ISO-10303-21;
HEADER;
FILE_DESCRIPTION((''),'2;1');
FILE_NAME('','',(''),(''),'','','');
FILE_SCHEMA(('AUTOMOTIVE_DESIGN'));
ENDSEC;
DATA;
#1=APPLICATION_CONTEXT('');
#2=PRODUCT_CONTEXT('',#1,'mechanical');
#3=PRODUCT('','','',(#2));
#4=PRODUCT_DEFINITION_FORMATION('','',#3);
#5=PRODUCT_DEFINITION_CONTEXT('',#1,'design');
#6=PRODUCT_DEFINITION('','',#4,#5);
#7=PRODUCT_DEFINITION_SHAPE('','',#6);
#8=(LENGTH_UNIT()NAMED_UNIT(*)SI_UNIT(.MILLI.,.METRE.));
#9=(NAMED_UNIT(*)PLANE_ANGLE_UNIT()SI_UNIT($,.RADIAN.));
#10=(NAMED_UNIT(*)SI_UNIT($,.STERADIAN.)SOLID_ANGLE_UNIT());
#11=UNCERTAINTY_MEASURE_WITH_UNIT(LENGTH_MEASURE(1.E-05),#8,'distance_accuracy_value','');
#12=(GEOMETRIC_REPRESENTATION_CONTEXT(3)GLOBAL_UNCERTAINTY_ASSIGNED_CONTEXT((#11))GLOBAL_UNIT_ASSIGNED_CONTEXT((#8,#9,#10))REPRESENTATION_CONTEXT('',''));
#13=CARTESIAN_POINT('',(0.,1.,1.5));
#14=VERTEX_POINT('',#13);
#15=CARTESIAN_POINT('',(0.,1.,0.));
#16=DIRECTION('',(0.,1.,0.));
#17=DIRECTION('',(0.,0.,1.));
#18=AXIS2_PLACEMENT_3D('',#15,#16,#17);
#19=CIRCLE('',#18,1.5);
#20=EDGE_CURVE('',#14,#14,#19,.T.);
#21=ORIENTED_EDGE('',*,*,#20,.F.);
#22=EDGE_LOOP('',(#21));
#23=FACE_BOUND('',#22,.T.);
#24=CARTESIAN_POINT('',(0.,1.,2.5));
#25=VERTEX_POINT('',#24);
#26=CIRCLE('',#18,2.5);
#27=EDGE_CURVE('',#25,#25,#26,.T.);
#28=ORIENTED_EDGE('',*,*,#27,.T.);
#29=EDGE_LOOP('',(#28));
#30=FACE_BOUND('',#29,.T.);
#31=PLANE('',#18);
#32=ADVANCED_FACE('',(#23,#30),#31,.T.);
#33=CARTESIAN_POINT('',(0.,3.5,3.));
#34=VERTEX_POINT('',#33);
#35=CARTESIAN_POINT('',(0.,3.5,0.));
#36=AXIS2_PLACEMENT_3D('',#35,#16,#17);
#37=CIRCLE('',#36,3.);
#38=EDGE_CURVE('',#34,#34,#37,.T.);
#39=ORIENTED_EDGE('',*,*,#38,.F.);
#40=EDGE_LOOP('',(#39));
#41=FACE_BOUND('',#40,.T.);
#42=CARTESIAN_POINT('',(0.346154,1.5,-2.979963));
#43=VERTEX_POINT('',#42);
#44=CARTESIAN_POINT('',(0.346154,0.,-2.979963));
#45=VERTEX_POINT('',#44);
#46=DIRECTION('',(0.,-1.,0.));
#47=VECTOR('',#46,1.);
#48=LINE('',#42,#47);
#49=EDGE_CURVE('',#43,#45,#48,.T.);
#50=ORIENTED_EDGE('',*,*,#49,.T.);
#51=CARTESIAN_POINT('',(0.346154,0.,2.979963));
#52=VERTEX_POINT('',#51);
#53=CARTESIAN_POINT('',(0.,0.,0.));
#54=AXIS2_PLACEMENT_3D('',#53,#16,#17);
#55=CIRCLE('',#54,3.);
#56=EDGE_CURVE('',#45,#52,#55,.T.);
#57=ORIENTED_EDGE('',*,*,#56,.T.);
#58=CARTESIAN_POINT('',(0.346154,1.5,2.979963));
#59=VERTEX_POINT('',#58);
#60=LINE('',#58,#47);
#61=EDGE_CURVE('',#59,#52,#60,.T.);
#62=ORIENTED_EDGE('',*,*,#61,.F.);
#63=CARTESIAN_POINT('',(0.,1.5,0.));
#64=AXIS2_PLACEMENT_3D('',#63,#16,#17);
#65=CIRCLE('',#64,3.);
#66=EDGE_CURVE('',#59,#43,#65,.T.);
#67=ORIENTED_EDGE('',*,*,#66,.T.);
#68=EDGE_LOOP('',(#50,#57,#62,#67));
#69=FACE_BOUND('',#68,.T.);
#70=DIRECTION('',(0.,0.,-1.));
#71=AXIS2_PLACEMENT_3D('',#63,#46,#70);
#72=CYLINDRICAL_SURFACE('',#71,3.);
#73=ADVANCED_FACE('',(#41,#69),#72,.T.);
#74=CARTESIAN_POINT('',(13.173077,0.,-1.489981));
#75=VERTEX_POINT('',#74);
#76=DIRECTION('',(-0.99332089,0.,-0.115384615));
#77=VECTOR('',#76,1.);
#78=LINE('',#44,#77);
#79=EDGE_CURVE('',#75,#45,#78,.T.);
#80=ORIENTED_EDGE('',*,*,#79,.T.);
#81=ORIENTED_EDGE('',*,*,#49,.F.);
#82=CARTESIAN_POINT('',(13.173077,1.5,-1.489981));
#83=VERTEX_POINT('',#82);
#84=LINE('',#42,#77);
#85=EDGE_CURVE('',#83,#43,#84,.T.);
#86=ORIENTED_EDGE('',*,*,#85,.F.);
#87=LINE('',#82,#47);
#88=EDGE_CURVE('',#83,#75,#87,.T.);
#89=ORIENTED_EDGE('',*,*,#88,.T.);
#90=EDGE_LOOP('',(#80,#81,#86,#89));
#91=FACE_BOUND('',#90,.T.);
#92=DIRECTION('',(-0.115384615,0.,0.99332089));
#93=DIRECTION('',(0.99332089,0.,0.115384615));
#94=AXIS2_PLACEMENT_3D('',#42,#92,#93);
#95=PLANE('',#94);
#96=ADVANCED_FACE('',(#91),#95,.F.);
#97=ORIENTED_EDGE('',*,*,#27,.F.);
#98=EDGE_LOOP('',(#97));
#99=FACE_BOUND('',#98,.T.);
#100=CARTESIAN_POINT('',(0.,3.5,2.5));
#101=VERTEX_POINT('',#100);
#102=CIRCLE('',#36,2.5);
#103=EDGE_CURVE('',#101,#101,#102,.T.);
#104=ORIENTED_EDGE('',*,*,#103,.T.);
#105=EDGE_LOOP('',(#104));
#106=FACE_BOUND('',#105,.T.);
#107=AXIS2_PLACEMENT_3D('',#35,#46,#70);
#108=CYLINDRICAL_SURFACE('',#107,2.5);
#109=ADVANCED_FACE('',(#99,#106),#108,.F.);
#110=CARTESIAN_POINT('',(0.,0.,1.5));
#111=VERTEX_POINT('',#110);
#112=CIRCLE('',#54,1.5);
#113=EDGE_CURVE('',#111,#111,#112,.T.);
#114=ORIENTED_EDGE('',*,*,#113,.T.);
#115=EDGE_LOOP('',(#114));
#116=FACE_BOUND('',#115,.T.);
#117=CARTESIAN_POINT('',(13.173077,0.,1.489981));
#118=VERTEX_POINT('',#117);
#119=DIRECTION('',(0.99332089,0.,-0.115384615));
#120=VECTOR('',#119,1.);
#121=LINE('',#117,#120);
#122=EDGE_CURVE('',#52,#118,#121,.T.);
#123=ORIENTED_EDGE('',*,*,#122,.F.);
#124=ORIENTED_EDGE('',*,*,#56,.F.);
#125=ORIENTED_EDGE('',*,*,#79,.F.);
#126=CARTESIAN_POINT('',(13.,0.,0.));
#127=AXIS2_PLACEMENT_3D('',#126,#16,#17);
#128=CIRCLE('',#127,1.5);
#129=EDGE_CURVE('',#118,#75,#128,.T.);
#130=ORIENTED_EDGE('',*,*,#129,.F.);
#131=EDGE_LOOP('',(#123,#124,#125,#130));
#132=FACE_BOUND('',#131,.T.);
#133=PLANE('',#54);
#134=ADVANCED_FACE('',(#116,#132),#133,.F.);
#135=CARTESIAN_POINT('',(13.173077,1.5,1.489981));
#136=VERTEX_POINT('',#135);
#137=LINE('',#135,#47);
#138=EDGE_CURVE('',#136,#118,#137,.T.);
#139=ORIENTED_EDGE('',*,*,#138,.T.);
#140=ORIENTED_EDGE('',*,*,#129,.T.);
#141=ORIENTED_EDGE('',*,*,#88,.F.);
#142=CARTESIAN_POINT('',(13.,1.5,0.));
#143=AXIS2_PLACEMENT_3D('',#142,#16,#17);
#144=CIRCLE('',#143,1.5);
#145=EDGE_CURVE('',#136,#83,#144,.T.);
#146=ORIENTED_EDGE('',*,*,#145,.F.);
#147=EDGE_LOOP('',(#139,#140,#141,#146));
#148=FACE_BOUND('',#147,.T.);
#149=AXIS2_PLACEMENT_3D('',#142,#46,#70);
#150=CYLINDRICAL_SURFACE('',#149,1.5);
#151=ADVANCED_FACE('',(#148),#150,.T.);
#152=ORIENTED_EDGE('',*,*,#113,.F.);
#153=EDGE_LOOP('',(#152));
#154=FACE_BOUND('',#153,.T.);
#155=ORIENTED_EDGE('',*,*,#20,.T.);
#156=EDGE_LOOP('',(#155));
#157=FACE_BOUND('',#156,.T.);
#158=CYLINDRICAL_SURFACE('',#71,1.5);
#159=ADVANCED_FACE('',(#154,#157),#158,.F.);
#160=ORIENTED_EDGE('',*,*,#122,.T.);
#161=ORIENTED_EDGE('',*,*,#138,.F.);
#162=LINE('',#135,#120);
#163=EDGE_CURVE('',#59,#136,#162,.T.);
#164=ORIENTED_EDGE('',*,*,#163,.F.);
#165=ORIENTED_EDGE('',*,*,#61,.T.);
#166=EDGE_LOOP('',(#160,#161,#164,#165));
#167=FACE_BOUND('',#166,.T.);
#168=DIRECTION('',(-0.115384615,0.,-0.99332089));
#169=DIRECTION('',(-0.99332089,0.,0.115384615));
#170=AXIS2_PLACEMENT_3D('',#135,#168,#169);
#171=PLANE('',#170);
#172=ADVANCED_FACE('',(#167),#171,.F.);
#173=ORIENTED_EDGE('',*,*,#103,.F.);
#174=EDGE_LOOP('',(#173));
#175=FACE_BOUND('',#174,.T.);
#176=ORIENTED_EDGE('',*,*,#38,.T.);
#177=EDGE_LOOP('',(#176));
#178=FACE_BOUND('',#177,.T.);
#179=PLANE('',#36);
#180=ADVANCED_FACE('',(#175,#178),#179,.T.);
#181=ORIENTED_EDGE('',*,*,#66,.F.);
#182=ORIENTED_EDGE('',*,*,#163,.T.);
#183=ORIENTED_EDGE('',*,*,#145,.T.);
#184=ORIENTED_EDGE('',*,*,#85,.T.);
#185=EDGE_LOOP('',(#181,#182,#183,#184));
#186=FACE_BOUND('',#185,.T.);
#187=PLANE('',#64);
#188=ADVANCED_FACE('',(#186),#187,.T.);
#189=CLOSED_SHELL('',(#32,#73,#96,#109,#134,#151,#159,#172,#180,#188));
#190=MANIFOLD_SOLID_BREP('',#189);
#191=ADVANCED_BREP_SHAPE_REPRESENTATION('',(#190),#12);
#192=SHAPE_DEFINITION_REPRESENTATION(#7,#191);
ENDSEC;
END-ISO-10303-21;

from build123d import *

# Parameters (mm, degrees)
SKETCH1_R           = 1.5
BOSS_EXTRUDE1_DEPTH = 1.5
SKETCH2_R           = 3
SKETCH2_R_2         = 2.5
BOSS_EXTRUDE2_DEPTH = 2
SKETCH3_R           = 2.5
CUT_EXTRUDE1_DEPTH  = 0.5


with BuildPart() as part:
    # Sketch1 → Boss-Extrude1 (new body)
    with BuildSketch(Plane(origin=(0, 0, 0), x_dir=(1, 0, 0), z_dir=(0, 1, 0))):
        with BuildLine():
            Line((0.346153846, 2.97996267), (13.173076923, 1.489981335))
            ThreePointArc((13.173076923, 1.489981335), (14.5, 0), (13.173076923, -1.489981335))
            Line((13.173076923, -1.489981335), (0.346153846, -2.97996267))
            ThreePointArc((0.346153846, -2.97996267), (-3, 0), (0.346153846, 2.97996267))
        make_face()
        Circle(SKETCH1_R, mode=Mode.SUBTRACT)
    extrude(amount=BOSS_EXTRUDE1_DEPTH)

    # Sketch2 → Boss-Extrude2 (add)
    with BuildSketch(Plane(origin=(0, 1.5, 0), x_dir=(1, 0, 0), z_dir=(0, 1, 0))):
        Circle(SKETCH2_R)
        Circle(SKETCH2_R_2, mode=Mode.SUBTRACT)
    extrude(amount=BOSS_EXTRUDE2_DEPTH)

    # Sketch3 → Cut-Extrude1 (cut)
    with BuildSketch(Plane(origin=(0, 1.5, 0), x_dir=(1, 0, 0), z_dir=(0, 1, 0))):
        Circle(SKETCH3_R)
    extrude(amount=-CUT_EXTRUDE1_DEPTH, mode=Mode.SUBTRACT)


solid = part.part
